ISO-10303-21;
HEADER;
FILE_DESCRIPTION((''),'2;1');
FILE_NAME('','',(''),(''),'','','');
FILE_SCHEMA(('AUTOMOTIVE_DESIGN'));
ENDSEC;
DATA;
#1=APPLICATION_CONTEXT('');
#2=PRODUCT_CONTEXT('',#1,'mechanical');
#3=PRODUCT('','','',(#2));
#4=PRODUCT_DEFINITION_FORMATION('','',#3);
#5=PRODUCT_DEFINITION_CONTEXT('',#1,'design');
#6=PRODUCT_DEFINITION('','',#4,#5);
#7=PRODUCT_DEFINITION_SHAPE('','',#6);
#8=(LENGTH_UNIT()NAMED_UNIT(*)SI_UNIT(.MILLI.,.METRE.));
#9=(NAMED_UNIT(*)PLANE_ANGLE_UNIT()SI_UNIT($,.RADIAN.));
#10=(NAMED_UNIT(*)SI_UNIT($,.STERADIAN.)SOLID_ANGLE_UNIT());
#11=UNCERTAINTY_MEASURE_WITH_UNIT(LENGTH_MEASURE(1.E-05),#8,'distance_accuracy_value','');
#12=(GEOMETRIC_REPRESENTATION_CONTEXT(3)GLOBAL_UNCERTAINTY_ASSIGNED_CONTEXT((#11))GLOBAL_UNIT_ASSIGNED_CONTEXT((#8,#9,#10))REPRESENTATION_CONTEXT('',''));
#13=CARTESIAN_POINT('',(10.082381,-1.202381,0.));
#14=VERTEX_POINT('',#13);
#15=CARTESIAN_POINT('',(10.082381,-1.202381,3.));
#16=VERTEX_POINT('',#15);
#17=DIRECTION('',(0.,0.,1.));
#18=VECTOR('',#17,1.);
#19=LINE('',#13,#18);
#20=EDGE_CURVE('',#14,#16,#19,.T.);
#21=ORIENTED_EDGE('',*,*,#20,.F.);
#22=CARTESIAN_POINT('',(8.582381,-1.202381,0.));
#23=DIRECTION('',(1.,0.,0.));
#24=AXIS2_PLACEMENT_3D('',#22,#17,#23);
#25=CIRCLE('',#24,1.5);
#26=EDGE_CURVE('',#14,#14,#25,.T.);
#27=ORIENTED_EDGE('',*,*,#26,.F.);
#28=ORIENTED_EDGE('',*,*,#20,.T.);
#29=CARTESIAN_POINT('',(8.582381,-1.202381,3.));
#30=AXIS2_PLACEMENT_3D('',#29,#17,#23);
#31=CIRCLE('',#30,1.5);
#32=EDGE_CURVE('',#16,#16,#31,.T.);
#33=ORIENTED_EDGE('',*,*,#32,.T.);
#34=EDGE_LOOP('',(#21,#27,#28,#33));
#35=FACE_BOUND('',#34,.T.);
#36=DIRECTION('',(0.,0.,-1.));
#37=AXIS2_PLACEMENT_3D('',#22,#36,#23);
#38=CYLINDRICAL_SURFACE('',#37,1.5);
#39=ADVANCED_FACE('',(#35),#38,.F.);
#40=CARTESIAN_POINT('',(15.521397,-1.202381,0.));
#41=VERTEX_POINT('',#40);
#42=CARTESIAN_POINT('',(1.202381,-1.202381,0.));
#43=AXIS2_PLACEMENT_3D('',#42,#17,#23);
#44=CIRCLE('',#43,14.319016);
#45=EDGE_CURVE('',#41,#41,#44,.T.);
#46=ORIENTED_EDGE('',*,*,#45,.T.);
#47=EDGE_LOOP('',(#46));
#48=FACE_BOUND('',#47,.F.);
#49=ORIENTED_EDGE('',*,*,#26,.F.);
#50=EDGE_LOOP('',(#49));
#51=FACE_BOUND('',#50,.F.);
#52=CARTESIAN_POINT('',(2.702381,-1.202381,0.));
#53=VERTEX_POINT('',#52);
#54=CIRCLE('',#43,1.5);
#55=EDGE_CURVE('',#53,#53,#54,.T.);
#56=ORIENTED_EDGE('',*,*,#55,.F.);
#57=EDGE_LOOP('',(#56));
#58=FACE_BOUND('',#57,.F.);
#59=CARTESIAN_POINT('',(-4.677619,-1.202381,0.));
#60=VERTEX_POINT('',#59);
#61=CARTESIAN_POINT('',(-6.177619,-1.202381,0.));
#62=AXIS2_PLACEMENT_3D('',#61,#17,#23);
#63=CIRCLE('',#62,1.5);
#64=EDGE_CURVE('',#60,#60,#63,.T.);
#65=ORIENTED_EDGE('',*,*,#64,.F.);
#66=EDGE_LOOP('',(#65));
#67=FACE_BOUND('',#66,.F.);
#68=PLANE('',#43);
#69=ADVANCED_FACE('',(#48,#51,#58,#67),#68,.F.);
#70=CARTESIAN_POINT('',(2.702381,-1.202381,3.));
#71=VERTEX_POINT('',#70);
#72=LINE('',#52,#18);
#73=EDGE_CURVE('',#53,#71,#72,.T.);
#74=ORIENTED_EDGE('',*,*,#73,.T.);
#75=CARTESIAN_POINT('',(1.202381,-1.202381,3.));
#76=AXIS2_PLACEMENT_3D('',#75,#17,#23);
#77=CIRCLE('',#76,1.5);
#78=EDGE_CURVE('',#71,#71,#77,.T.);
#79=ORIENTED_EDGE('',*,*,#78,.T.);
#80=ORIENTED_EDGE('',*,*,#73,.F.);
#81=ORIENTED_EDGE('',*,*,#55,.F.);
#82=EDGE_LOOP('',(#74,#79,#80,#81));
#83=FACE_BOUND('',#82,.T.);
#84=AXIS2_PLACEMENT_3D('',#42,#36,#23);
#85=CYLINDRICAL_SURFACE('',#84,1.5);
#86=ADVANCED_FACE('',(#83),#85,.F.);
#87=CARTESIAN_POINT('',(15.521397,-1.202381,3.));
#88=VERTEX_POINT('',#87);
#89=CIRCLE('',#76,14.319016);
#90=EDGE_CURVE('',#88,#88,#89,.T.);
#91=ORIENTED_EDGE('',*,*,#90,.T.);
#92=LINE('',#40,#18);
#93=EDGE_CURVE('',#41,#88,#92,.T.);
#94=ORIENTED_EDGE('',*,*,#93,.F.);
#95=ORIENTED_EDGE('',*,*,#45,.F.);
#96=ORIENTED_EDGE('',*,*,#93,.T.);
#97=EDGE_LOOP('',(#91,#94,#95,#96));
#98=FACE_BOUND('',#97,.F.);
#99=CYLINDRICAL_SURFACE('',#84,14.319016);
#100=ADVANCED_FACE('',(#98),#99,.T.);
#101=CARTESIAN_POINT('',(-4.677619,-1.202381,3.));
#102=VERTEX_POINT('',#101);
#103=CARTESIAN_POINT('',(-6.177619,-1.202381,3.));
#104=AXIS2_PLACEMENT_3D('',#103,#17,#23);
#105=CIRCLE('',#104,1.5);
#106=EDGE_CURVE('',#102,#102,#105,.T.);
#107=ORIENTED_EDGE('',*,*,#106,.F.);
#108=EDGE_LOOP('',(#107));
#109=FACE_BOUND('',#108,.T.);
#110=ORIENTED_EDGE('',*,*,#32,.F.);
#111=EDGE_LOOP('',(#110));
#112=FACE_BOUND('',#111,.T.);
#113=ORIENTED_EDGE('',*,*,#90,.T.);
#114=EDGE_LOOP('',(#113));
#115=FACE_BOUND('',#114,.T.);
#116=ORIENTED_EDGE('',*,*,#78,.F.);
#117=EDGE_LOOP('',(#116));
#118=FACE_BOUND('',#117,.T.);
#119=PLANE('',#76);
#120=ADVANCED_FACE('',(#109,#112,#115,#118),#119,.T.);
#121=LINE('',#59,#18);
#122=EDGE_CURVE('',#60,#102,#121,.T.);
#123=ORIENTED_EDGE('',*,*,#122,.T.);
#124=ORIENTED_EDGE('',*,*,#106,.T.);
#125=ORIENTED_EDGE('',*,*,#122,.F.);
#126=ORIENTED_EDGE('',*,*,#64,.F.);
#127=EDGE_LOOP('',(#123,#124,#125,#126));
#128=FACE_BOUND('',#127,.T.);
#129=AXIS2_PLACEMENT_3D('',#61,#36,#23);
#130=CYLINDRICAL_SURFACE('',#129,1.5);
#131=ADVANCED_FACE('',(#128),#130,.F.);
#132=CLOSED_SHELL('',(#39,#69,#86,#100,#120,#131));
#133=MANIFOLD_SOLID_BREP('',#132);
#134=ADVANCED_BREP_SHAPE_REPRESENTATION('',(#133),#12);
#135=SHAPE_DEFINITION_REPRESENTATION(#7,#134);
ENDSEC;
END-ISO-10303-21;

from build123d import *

# Parameters (mm, degrees)
F0_R     = 14.319016
F0_R_2   = 1.5
F1_DEPTH = 3


with BuildPart() as f1:
    # F0 (on Top) → F1 (new body)
    with BuildSketch(Plane.XY):
        with Locations((1.202381, -1.202381)):
            Circle(F0_R)
        with Locations((-6.177619, -1.202381)):
            Circle(F0_R_2, mode=Mode.SUBTRACT)
        with Locations((1.202381, -1.202381)):
            Circle(F0_R_2, mode=Mode.SUBTRACT)
        with Locations((8.582381, -1.202381)):
            Circle(F0_R_2, mode=Mode.SUBTRACT)
    extrude(amount=F1_DEPTH)


solid = f1.part
